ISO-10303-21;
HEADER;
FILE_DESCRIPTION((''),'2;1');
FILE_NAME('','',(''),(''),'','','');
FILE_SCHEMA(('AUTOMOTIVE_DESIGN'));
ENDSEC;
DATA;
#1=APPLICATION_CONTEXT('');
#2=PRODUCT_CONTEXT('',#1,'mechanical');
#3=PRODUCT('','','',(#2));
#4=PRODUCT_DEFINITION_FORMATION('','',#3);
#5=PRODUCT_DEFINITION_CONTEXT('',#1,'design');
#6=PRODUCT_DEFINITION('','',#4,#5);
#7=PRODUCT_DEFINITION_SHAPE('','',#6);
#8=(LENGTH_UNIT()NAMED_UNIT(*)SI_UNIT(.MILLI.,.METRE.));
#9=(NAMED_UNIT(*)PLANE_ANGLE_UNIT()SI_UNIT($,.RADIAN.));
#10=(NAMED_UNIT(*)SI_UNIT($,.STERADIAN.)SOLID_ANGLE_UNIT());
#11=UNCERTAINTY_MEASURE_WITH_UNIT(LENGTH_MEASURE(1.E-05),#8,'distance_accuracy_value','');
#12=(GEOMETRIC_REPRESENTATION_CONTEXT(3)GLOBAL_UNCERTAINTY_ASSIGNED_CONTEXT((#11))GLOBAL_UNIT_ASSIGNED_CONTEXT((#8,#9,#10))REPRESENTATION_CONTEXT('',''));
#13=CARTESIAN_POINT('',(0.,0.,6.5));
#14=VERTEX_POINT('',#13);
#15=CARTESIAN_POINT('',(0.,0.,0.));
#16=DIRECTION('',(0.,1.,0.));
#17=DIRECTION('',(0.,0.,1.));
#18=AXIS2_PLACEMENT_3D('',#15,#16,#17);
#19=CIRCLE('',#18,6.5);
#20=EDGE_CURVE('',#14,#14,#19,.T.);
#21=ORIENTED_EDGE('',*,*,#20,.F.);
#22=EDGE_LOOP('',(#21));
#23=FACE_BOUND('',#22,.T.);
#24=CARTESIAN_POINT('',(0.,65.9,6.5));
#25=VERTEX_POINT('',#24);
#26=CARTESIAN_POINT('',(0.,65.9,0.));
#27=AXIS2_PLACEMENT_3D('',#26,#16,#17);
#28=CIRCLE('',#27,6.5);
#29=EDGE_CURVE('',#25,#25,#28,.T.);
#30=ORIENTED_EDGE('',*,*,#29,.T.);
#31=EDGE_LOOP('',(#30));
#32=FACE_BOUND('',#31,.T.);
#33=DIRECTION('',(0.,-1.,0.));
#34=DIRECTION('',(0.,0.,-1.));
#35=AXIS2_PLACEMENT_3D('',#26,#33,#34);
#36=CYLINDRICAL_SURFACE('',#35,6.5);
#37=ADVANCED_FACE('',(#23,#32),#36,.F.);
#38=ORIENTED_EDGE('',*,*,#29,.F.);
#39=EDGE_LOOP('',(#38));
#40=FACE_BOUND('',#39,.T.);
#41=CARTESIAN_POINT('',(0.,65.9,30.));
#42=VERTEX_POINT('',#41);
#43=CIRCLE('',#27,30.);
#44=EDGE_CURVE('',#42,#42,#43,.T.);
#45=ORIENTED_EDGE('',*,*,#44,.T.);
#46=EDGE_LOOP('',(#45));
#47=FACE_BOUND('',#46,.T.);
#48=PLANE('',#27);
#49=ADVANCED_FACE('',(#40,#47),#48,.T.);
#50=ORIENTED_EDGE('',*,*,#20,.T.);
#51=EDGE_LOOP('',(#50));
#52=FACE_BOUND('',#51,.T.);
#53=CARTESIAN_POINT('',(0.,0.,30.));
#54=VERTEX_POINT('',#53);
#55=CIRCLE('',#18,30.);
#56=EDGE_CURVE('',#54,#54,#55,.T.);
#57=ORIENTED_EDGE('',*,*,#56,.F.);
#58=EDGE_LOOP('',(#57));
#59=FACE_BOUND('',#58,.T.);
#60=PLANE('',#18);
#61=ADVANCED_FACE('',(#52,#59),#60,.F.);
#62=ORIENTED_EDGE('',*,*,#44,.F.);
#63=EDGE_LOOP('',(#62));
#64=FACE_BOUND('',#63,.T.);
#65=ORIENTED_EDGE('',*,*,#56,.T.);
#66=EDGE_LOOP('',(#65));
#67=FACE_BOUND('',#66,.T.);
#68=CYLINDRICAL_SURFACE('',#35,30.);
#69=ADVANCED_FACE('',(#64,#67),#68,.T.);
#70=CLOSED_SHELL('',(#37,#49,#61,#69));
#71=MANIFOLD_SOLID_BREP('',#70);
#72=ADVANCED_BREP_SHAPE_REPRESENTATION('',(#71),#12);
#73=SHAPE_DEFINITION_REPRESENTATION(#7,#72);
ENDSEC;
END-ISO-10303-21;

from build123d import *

# Parameters (mm, degrees)
ESBO_O1_R                = 30
ESBO_O1_R_2              = 6.5
RESSALTO_EXTRUS_O1_DEPTH = 65.9


with BuildPart() as part:
    # Esboço1 → Ressalto-extrusão1 (new body)
    with BuildSketch(Plane(origin=(0, 0, 0), x_dir=(1, 0, 0), z_dir=(0, 1, 0))):
        with Locations(Location((0, 0, 0), (0, 0, 270))):
            Circle(ESBO_O1_R)
        with Locations(Location((0, 0, 0), (0, 0, 270))):
            Circle(ESBO_O1_R_2, mode=Mode.SUBTRACT)
    extrude(amount=RESSALTO_EXTRUS_O1_DEPTH)


solid = part.part
